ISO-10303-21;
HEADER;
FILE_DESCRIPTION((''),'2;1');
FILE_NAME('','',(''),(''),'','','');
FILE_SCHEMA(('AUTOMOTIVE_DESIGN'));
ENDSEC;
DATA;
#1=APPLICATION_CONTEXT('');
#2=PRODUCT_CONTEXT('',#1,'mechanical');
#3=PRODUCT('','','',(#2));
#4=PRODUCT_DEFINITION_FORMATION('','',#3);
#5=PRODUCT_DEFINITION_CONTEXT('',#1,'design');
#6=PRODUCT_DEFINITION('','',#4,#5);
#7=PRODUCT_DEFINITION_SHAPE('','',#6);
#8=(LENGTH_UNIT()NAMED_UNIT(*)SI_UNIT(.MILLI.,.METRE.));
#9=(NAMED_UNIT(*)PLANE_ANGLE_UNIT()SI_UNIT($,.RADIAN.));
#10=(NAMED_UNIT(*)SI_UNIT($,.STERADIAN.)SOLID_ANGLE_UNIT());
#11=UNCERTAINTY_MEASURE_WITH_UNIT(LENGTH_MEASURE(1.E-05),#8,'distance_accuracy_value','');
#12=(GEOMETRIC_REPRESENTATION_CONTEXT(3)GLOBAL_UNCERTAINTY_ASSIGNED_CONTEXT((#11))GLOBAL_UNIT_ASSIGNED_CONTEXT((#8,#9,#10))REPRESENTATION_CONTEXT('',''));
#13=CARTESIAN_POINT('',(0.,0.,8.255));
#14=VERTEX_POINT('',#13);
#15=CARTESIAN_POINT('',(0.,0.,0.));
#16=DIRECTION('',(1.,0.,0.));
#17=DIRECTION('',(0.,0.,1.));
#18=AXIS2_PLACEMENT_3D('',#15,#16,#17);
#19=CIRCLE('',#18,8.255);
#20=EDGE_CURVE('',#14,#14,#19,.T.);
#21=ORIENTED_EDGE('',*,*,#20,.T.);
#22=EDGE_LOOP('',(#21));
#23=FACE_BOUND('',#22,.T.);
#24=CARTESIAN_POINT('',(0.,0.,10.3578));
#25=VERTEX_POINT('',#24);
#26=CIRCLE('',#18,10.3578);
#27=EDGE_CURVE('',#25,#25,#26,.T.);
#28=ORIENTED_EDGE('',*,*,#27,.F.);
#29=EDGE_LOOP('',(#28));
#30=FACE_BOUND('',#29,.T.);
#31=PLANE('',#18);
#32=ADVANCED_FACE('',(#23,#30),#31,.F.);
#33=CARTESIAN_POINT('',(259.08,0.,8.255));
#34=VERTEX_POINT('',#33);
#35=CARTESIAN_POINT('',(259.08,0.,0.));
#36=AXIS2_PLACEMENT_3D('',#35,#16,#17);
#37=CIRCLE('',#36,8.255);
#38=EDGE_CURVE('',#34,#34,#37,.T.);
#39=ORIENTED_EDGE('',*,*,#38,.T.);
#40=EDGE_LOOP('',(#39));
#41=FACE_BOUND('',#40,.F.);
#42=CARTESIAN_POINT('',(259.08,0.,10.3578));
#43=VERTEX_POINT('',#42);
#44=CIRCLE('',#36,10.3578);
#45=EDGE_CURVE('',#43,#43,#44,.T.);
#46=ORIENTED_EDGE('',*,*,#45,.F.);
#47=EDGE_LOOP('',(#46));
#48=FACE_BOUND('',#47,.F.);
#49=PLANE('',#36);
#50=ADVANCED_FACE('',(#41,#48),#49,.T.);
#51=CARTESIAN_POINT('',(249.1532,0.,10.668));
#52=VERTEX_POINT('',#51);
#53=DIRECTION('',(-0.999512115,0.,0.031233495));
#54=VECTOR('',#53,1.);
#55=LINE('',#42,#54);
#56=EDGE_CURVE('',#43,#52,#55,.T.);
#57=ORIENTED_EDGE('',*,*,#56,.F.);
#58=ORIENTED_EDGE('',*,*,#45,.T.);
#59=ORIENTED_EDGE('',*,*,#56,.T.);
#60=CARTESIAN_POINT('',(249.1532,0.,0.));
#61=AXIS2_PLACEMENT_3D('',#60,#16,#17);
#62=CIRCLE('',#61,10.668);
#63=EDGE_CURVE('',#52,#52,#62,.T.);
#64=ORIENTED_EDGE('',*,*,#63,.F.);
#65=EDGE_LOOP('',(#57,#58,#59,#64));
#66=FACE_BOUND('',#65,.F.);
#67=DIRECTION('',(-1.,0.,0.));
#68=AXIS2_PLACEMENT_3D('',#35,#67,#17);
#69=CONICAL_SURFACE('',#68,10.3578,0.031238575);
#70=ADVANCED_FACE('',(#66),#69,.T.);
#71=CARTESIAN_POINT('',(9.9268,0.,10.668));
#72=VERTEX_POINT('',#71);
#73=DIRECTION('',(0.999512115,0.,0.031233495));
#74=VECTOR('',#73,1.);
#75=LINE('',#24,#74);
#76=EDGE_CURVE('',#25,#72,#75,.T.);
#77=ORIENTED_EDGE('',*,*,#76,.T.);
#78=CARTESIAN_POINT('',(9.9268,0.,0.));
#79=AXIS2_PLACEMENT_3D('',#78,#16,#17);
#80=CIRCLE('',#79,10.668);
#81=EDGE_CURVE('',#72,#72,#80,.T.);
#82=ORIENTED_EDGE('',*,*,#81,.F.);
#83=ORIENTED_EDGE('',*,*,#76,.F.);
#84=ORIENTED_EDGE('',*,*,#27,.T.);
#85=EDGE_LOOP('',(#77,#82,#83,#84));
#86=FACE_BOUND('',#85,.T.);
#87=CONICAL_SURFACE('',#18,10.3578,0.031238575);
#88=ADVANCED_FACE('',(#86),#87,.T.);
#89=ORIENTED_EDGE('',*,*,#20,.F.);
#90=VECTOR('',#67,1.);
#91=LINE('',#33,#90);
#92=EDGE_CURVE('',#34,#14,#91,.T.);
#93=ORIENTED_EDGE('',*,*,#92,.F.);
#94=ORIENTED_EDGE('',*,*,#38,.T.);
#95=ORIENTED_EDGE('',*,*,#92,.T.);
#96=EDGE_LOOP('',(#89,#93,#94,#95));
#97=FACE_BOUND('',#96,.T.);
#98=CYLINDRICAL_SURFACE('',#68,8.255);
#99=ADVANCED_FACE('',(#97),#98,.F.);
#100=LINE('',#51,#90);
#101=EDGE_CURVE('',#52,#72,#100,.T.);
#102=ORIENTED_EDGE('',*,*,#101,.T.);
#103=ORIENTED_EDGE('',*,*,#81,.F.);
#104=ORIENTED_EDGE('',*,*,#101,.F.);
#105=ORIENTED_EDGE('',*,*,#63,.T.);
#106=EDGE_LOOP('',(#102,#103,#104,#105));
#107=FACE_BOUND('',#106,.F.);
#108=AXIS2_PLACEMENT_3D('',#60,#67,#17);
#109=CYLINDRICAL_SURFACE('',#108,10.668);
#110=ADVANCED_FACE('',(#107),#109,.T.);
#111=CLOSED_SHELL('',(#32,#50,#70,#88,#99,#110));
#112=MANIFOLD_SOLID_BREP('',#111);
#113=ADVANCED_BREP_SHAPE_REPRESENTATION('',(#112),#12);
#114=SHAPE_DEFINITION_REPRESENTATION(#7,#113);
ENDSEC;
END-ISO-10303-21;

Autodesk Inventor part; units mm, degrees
ref_plane "YZ Plane" through (0, 0, 0) normal (1, 0, 0) x (0, 1, 0)
ref_plane "XZ Plane" through (0, 0, 0) normal (0, 1, 0) x (-1, 0, 0)
ref_plane "XY Plane" through (0, 0, 0) normal (0, 0, 1) x (1, 0, 0)
sketch "Sketch1" plane through (0, 0, 0) normal (0, 1, 0) x (-1, 0, 0)
  line L0 (0, 0) -> (-259.08, 0)
  line L1 (-259.08, 0) -> (-259.08, 8.255) construction
  line L2 (-259.08, 8.255) -> (-259.08, 10.3578)
  line L3 (-259.08, 10.3578) -> (-249.1532, 10.668)
  line L4 (-249.1532, 10.668) -> (-9.9268, 10.668)
  line L5 (-129.54, 0) -> (-129.54, 10.668) construction
  line L6 (-259.08, 8.255) -> (0, 8.255)
  line L7 (0, 0) -> (0, 8.255) construction
  line L8 (0, 8.255) -> (0, 10.3578)
  line L9 (0, 10.3578) -> (-9.9268, 10.668)
  line L10 (-245.524, 10.7814) -> (-245.524, 0) construction
  line L11 (-13.556, 10.7814) -> (-13.556, 0) construction
  line L12 (-249.1532, 10.668) -> (-245.524, 10.7814) construction
  line L13 (-249.1532, 10.668) -> (-249.1532, 0) construction
  line L14 (-9.9268, 10.668) -> (-13.556, 10.7814) construction
  line L15 (-9.9268, 10.668) -> (-9.9268, 0) construction
  dimension "d0" = 21.336
  dimension "d1" = 1.79
  dimension "d2" = 16.51
  dimension "d3" = 259.08
  dimension "d4" = 13.556
  dimension "d5" = 21.5628
revolve "Revolution1" add sketch "Sketch1" angle 360 about axis through (0, 0, 0) along (1, 0, 0)
thread "Thread1" size "1/2" designation "1/2 - 14 NPT" standard "NPT" full length
thread "Thread2" size "1/2" designation "1/2 - 14 NPT" standard "NPT" full length
equation "\"d0\" = OD"
equation "\"d2\" = ID"
equation "\"d3\" = L"
equation "\"d4\" = L2"
equation "\"d5\" = D2"
equation "\"OD\" = 21.336"
equation "\"t\" = 2.413"
equation "\"L\" = PL"
equation "\"L4\" = 19.8501"
equation "\"ID\" = 16.51"
equation "\"PL\" = 259.08"
equation "\"D2\" = 21.56282"
equation "\"L2\" = 13.55598"
equation "\"Size_Designation\" = 1.2345"
equation "\"PLmin\" = 2 * L2"
properties material "Steel, Wrought"
